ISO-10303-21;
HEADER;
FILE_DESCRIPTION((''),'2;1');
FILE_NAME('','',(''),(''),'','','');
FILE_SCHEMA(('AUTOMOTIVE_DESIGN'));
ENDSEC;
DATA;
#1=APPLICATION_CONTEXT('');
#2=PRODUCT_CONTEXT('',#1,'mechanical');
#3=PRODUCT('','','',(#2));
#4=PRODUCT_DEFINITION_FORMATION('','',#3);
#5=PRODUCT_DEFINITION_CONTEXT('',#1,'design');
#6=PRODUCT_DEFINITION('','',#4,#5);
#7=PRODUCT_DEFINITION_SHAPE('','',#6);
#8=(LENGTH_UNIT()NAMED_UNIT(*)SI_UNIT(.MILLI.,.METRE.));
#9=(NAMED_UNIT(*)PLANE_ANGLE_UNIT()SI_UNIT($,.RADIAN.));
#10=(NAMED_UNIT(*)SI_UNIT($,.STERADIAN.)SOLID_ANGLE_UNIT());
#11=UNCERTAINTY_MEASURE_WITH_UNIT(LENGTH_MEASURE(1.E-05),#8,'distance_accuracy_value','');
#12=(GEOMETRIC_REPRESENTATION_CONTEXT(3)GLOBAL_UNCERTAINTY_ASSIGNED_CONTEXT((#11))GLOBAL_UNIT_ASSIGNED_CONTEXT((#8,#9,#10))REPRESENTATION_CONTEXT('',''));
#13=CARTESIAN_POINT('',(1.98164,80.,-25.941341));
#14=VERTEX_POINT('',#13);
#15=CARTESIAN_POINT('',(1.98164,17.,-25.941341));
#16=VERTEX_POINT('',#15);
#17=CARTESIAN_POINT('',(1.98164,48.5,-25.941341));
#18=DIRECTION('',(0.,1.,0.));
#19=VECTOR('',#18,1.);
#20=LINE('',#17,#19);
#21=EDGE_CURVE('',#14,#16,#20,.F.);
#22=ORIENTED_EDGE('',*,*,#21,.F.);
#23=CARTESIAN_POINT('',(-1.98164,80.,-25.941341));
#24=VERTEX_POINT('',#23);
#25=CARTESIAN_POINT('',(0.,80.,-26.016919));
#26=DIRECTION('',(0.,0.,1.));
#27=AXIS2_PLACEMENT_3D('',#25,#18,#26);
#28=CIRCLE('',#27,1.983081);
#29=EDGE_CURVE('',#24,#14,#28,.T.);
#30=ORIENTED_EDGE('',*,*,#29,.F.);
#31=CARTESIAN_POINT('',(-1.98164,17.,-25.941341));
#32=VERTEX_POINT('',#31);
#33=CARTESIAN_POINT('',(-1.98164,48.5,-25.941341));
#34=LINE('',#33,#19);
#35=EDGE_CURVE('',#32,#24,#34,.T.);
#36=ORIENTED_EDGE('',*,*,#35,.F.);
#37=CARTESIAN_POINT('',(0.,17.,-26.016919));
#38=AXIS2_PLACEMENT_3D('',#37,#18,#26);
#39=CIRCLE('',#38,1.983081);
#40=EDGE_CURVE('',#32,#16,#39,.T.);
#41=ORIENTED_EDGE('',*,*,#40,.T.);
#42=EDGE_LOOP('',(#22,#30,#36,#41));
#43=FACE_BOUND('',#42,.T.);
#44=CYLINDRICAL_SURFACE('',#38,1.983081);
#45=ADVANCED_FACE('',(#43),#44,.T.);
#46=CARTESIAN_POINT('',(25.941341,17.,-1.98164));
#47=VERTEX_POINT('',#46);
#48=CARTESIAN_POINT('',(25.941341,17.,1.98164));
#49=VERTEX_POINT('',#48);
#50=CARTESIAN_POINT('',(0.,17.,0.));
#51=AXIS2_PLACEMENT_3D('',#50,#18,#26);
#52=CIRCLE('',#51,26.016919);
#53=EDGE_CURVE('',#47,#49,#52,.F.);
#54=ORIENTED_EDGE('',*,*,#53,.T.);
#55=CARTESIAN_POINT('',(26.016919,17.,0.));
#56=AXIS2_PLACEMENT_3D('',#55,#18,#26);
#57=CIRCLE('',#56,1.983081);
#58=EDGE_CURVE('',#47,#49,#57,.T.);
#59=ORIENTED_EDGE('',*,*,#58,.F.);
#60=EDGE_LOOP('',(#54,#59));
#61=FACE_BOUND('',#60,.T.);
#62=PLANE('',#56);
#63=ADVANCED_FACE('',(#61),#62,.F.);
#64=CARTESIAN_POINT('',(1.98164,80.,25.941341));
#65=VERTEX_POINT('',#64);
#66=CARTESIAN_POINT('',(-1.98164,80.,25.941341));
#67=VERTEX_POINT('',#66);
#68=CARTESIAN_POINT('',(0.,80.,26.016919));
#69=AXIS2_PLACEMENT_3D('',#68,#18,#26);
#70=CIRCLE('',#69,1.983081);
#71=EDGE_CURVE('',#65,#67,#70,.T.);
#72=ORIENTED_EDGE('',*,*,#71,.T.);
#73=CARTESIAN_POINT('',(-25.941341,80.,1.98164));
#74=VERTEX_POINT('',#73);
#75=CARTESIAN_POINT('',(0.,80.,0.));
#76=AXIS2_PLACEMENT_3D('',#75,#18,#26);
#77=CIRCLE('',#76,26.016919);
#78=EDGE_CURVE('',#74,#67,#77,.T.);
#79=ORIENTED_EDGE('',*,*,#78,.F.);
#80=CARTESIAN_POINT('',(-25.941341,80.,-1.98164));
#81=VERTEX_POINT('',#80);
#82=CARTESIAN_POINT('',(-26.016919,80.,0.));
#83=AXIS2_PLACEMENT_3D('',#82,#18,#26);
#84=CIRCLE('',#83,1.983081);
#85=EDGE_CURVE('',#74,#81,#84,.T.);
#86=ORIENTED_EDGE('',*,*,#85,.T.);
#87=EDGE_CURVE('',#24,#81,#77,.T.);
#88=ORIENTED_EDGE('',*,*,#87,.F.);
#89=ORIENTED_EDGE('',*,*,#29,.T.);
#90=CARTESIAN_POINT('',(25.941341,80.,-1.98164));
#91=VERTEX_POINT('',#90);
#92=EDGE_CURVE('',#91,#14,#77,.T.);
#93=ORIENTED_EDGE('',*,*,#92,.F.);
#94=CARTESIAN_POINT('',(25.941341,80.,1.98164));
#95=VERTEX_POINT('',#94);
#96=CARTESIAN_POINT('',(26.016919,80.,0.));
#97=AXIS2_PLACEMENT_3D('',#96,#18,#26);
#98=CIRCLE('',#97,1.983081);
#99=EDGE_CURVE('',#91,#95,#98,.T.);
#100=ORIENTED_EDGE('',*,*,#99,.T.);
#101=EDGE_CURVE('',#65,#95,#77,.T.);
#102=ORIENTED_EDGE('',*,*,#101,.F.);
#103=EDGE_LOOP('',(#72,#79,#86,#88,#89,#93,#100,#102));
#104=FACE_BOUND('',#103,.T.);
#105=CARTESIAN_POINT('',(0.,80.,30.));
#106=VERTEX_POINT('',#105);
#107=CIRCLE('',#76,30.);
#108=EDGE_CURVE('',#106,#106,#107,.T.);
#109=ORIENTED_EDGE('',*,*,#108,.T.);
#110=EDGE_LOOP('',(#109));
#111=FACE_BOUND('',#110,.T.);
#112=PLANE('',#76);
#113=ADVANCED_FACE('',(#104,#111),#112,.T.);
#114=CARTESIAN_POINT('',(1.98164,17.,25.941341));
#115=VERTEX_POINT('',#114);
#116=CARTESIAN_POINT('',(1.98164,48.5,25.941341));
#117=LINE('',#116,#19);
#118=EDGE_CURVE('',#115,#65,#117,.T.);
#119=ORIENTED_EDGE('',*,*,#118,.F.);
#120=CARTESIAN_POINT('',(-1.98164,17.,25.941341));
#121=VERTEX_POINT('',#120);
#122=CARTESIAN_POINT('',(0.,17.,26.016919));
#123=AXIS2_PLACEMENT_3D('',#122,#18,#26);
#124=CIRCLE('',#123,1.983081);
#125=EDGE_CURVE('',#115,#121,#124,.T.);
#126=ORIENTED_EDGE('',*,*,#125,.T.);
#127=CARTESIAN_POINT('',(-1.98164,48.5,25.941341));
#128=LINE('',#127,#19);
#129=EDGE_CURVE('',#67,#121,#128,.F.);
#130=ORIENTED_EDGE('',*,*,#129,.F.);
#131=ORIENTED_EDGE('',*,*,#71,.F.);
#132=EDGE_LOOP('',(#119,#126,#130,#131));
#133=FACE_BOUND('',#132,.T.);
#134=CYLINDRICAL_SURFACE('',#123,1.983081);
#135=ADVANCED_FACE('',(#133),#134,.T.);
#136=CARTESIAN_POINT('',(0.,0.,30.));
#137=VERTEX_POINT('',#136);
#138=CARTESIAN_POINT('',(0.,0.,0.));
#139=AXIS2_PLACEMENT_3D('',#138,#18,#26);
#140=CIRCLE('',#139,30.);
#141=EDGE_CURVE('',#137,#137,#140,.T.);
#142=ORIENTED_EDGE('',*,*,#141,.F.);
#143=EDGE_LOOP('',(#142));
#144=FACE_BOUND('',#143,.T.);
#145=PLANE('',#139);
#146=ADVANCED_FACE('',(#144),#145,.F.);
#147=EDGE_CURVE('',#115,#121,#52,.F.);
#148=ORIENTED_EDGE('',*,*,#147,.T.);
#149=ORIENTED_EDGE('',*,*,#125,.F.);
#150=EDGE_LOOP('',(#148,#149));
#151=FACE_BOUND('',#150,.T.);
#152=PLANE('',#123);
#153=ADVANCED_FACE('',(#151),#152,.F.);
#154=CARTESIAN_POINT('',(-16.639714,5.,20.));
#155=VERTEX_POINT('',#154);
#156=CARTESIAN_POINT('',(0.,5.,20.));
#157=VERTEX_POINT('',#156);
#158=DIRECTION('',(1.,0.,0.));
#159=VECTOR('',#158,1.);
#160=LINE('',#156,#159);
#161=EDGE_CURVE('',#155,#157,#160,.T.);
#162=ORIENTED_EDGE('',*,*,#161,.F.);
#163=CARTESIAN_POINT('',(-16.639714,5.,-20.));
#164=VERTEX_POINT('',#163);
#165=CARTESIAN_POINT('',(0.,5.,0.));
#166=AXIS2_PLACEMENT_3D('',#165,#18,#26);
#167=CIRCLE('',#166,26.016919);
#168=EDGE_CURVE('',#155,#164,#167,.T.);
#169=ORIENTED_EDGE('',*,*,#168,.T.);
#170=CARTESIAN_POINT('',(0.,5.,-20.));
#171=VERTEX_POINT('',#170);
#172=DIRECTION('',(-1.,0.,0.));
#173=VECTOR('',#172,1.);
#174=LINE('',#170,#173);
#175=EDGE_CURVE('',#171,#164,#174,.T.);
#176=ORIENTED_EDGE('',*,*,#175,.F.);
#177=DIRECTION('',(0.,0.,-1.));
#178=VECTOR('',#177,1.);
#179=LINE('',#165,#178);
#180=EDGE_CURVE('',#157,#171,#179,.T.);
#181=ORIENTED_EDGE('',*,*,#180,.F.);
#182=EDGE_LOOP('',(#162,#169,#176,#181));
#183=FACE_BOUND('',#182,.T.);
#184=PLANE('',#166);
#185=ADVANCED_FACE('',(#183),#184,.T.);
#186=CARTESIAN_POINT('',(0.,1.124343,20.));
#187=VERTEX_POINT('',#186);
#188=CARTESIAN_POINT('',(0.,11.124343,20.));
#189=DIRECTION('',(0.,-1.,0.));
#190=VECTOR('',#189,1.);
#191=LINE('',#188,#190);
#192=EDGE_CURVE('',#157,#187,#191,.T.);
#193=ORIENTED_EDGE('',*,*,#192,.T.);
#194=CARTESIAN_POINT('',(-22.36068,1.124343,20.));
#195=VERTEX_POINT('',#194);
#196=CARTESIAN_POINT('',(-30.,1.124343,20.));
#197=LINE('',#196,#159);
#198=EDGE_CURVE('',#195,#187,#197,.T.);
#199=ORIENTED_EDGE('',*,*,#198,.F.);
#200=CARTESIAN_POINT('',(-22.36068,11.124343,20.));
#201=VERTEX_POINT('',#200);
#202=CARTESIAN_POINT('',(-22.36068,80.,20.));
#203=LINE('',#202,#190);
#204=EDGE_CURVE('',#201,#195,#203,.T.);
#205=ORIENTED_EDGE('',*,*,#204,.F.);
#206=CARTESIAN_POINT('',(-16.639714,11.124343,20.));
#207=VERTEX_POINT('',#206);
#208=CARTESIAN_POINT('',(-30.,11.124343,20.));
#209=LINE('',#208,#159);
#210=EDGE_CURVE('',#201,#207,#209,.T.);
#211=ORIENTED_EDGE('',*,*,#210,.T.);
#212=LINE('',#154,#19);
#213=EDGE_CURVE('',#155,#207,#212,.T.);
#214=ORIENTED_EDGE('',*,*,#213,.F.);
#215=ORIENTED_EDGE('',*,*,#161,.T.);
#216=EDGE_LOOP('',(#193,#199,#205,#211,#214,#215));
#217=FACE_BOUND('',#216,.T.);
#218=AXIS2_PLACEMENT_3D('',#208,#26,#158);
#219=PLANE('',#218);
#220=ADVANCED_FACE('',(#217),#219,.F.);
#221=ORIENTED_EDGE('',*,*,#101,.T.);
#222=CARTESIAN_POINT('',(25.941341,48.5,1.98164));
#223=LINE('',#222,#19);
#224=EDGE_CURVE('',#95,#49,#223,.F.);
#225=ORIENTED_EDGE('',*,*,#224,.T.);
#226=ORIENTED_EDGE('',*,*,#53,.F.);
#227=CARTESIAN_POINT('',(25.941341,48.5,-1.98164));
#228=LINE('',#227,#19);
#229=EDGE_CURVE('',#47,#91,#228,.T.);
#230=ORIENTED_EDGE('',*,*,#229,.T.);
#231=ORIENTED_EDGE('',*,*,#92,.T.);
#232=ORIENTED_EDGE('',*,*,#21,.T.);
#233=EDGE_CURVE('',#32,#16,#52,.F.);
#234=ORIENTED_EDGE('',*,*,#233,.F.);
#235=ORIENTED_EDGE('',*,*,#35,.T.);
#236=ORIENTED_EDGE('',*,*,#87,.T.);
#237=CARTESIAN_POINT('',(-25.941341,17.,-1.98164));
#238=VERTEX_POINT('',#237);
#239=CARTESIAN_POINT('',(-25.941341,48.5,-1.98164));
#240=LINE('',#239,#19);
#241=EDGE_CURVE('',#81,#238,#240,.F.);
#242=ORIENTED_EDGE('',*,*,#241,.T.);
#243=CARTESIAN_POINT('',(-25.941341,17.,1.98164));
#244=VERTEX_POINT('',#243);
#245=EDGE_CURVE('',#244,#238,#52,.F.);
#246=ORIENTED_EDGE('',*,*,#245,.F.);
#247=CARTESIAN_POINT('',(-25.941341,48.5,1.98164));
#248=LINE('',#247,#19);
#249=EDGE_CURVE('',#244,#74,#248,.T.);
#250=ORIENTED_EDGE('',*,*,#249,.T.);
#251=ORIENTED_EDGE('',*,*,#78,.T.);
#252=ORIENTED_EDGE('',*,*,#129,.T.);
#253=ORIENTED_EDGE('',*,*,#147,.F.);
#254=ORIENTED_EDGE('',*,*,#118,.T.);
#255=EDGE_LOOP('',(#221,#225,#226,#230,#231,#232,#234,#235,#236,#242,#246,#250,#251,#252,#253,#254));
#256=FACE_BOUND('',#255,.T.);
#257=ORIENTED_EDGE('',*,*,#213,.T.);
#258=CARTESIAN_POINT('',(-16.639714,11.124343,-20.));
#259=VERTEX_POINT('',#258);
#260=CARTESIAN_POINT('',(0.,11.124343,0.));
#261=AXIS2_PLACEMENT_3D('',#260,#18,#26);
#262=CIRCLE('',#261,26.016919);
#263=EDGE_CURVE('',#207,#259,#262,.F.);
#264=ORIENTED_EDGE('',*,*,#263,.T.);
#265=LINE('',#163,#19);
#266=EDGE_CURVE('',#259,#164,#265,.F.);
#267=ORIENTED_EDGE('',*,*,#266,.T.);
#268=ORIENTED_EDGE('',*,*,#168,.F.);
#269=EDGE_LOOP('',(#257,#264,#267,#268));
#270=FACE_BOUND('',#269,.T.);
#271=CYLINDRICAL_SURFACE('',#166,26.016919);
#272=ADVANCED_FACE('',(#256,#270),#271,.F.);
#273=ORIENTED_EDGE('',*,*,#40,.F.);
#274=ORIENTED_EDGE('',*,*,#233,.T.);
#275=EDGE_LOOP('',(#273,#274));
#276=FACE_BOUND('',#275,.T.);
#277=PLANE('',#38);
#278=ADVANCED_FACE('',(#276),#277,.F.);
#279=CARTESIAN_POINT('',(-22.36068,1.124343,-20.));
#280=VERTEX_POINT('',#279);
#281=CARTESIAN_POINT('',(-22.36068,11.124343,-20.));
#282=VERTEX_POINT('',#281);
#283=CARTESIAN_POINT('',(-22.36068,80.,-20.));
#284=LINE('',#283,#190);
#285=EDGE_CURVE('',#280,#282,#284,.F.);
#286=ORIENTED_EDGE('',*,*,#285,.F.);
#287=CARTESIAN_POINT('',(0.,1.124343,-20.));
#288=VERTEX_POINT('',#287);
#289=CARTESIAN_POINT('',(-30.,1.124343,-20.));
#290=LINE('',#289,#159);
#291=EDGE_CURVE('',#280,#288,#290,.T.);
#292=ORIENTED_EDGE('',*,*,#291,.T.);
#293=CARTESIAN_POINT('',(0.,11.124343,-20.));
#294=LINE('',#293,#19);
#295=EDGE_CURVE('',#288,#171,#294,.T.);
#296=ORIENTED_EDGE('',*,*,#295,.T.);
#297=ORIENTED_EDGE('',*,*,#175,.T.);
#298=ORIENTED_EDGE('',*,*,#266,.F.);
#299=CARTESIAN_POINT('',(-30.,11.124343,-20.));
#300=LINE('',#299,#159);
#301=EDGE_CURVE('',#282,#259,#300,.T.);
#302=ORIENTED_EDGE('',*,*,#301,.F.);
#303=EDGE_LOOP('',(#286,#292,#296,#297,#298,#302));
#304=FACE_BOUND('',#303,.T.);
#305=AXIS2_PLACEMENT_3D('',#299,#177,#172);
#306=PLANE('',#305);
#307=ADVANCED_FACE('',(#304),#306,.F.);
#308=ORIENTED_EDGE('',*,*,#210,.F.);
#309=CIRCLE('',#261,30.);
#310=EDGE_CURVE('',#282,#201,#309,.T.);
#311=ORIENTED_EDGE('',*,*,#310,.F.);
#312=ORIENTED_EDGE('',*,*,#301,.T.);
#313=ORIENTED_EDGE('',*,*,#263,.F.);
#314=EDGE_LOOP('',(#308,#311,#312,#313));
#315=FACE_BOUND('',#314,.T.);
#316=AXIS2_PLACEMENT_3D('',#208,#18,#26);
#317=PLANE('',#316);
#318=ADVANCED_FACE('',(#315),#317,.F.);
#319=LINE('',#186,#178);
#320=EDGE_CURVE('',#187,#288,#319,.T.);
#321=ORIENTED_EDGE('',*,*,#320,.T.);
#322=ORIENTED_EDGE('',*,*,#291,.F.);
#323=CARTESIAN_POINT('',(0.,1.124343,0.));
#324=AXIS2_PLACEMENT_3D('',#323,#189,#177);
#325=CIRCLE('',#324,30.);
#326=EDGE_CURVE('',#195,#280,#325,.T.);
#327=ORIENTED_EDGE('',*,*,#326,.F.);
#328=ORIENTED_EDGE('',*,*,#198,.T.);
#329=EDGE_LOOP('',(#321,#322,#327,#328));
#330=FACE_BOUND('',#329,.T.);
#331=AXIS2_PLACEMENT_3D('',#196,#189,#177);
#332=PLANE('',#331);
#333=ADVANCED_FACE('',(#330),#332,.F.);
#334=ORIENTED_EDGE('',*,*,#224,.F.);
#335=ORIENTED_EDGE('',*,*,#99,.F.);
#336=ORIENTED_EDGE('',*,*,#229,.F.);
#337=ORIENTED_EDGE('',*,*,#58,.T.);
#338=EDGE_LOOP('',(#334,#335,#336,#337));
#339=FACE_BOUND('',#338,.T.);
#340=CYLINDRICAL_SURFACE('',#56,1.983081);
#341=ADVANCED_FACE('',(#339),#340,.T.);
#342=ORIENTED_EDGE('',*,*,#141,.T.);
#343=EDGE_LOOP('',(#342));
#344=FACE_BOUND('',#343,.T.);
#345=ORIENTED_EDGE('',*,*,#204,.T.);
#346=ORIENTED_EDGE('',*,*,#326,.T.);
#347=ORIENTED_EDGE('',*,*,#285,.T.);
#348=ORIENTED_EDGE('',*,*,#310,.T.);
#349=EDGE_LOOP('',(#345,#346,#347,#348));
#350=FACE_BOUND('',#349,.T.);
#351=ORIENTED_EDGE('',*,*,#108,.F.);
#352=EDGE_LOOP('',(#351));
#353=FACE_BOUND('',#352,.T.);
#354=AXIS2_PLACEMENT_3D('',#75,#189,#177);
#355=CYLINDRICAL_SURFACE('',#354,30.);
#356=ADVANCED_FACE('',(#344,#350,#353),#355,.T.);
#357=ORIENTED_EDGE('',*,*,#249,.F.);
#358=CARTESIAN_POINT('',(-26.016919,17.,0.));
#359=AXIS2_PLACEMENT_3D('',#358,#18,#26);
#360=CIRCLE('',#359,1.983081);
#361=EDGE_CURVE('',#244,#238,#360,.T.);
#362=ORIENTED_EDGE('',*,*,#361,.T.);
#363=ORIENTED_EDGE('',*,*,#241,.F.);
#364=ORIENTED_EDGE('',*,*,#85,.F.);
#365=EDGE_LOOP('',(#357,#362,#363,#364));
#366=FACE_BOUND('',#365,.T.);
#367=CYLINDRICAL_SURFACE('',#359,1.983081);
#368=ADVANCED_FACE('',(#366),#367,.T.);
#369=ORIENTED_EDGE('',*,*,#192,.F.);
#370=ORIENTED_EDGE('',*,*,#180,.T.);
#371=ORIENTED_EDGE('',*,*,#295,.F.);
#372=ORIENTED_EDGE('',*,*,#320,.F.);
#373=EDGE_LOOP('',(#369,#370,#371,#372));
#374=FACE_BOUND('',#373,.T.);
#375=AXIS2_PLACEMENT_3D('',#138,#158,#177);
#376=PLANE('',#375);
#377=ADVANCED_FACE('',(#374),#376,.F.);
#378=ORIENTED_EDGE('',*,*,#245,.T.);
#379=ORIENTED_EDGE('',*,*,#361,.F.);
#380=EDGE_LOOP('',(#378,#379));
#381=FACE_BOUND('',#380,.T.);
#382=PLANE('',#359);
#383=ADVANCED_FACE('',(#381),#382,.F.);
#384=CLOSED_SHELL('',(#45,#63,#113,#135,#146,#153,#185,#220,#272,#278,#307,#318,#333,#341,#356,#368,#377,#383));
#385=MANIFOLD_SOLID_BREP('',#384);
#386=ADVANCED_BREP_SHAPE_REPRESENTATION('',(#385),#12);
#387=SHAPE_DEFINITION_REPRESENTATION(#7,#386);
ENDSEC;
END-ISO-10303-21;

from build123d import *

# Parameters (mm, degrees)
SKETCH2_R           = 30
BOSS_EXTRUDE1_DEPTH = 80
SKETCH3_R           = 26.016919331
CUT_EXTRUDE4_DEPTH  = 75
SKETCH5_W           = 40
SKETCH5_H           = 10
CUT_EXTRUDE6_DEPTH  = 91.553851381
SKETCH6_R           = 1.983080669
BOSS_EXTRUDE2_DEPTH = 63


with BuildPart() as part:
    # Sketch2 → Boss-Extrude1 (new body)
    with BuildSketch(Plane(origin=(0, 0, 0), x_dir=(1, 0, 0), z_dir=(0, 1, 0))):
        with Locations(Location((0, 0, 0), (0, 0, 270))):
            Circle(SKETCH2_R)
    extrude(amount=BOSS_EXTRUDE1_DEPTH)

    # Sketch3 → Cut-Extrude4 (cut)
    with BuildSketch(Plane(origin=(0, 80, 0), x_dir=(1, 0, 0), z_dir=(0, 1, 0))):
        with Locations(Location((0, 0, 0), (0, 0, 270))):
            Circle(SKETCH3_R)
    extrude(amount=-CUT_EXTRUDE4_DEPTH, mode=Mode.SUBTRACT)

    # Sketch5 → Cut-Extrude6 (cut, through all)
    with BuildSketch(Plane(origin=(0, 0, 0), x_dir=(0, 0, -1), z_dir=(1, 0, 0))):
        with Locations((0, 6.124342534)):
            Rectangle(SKETCH5_W, SKETCH5_H)
    extrude(amount=-CUT_EXTRUDE6_DEPTH, mode=Mode.SUBTRACT)

    # Sketch6 → Boss-Extrude2 (add)
    with BuildSketch(Plane(origin=(0, 80, 0), x_dir=(1, 0, 0), z_dir=(0, 1, 0))):
        with Locations((26.016919331, 0)):
            Circle(SKETCH6_R)
        with Locations((-26.016919331, 0)):
            Circle(SKETCH6_R)
        with Locations((0, -26.016919331)):
            Circle(SKETCH6_R)
        with Locations((0, 26.016919331)):
            Circle(SKETCH6_R)
    extrude(amount=-BOSS_EXTRUDE2_DEPTH)


solid = part.part
